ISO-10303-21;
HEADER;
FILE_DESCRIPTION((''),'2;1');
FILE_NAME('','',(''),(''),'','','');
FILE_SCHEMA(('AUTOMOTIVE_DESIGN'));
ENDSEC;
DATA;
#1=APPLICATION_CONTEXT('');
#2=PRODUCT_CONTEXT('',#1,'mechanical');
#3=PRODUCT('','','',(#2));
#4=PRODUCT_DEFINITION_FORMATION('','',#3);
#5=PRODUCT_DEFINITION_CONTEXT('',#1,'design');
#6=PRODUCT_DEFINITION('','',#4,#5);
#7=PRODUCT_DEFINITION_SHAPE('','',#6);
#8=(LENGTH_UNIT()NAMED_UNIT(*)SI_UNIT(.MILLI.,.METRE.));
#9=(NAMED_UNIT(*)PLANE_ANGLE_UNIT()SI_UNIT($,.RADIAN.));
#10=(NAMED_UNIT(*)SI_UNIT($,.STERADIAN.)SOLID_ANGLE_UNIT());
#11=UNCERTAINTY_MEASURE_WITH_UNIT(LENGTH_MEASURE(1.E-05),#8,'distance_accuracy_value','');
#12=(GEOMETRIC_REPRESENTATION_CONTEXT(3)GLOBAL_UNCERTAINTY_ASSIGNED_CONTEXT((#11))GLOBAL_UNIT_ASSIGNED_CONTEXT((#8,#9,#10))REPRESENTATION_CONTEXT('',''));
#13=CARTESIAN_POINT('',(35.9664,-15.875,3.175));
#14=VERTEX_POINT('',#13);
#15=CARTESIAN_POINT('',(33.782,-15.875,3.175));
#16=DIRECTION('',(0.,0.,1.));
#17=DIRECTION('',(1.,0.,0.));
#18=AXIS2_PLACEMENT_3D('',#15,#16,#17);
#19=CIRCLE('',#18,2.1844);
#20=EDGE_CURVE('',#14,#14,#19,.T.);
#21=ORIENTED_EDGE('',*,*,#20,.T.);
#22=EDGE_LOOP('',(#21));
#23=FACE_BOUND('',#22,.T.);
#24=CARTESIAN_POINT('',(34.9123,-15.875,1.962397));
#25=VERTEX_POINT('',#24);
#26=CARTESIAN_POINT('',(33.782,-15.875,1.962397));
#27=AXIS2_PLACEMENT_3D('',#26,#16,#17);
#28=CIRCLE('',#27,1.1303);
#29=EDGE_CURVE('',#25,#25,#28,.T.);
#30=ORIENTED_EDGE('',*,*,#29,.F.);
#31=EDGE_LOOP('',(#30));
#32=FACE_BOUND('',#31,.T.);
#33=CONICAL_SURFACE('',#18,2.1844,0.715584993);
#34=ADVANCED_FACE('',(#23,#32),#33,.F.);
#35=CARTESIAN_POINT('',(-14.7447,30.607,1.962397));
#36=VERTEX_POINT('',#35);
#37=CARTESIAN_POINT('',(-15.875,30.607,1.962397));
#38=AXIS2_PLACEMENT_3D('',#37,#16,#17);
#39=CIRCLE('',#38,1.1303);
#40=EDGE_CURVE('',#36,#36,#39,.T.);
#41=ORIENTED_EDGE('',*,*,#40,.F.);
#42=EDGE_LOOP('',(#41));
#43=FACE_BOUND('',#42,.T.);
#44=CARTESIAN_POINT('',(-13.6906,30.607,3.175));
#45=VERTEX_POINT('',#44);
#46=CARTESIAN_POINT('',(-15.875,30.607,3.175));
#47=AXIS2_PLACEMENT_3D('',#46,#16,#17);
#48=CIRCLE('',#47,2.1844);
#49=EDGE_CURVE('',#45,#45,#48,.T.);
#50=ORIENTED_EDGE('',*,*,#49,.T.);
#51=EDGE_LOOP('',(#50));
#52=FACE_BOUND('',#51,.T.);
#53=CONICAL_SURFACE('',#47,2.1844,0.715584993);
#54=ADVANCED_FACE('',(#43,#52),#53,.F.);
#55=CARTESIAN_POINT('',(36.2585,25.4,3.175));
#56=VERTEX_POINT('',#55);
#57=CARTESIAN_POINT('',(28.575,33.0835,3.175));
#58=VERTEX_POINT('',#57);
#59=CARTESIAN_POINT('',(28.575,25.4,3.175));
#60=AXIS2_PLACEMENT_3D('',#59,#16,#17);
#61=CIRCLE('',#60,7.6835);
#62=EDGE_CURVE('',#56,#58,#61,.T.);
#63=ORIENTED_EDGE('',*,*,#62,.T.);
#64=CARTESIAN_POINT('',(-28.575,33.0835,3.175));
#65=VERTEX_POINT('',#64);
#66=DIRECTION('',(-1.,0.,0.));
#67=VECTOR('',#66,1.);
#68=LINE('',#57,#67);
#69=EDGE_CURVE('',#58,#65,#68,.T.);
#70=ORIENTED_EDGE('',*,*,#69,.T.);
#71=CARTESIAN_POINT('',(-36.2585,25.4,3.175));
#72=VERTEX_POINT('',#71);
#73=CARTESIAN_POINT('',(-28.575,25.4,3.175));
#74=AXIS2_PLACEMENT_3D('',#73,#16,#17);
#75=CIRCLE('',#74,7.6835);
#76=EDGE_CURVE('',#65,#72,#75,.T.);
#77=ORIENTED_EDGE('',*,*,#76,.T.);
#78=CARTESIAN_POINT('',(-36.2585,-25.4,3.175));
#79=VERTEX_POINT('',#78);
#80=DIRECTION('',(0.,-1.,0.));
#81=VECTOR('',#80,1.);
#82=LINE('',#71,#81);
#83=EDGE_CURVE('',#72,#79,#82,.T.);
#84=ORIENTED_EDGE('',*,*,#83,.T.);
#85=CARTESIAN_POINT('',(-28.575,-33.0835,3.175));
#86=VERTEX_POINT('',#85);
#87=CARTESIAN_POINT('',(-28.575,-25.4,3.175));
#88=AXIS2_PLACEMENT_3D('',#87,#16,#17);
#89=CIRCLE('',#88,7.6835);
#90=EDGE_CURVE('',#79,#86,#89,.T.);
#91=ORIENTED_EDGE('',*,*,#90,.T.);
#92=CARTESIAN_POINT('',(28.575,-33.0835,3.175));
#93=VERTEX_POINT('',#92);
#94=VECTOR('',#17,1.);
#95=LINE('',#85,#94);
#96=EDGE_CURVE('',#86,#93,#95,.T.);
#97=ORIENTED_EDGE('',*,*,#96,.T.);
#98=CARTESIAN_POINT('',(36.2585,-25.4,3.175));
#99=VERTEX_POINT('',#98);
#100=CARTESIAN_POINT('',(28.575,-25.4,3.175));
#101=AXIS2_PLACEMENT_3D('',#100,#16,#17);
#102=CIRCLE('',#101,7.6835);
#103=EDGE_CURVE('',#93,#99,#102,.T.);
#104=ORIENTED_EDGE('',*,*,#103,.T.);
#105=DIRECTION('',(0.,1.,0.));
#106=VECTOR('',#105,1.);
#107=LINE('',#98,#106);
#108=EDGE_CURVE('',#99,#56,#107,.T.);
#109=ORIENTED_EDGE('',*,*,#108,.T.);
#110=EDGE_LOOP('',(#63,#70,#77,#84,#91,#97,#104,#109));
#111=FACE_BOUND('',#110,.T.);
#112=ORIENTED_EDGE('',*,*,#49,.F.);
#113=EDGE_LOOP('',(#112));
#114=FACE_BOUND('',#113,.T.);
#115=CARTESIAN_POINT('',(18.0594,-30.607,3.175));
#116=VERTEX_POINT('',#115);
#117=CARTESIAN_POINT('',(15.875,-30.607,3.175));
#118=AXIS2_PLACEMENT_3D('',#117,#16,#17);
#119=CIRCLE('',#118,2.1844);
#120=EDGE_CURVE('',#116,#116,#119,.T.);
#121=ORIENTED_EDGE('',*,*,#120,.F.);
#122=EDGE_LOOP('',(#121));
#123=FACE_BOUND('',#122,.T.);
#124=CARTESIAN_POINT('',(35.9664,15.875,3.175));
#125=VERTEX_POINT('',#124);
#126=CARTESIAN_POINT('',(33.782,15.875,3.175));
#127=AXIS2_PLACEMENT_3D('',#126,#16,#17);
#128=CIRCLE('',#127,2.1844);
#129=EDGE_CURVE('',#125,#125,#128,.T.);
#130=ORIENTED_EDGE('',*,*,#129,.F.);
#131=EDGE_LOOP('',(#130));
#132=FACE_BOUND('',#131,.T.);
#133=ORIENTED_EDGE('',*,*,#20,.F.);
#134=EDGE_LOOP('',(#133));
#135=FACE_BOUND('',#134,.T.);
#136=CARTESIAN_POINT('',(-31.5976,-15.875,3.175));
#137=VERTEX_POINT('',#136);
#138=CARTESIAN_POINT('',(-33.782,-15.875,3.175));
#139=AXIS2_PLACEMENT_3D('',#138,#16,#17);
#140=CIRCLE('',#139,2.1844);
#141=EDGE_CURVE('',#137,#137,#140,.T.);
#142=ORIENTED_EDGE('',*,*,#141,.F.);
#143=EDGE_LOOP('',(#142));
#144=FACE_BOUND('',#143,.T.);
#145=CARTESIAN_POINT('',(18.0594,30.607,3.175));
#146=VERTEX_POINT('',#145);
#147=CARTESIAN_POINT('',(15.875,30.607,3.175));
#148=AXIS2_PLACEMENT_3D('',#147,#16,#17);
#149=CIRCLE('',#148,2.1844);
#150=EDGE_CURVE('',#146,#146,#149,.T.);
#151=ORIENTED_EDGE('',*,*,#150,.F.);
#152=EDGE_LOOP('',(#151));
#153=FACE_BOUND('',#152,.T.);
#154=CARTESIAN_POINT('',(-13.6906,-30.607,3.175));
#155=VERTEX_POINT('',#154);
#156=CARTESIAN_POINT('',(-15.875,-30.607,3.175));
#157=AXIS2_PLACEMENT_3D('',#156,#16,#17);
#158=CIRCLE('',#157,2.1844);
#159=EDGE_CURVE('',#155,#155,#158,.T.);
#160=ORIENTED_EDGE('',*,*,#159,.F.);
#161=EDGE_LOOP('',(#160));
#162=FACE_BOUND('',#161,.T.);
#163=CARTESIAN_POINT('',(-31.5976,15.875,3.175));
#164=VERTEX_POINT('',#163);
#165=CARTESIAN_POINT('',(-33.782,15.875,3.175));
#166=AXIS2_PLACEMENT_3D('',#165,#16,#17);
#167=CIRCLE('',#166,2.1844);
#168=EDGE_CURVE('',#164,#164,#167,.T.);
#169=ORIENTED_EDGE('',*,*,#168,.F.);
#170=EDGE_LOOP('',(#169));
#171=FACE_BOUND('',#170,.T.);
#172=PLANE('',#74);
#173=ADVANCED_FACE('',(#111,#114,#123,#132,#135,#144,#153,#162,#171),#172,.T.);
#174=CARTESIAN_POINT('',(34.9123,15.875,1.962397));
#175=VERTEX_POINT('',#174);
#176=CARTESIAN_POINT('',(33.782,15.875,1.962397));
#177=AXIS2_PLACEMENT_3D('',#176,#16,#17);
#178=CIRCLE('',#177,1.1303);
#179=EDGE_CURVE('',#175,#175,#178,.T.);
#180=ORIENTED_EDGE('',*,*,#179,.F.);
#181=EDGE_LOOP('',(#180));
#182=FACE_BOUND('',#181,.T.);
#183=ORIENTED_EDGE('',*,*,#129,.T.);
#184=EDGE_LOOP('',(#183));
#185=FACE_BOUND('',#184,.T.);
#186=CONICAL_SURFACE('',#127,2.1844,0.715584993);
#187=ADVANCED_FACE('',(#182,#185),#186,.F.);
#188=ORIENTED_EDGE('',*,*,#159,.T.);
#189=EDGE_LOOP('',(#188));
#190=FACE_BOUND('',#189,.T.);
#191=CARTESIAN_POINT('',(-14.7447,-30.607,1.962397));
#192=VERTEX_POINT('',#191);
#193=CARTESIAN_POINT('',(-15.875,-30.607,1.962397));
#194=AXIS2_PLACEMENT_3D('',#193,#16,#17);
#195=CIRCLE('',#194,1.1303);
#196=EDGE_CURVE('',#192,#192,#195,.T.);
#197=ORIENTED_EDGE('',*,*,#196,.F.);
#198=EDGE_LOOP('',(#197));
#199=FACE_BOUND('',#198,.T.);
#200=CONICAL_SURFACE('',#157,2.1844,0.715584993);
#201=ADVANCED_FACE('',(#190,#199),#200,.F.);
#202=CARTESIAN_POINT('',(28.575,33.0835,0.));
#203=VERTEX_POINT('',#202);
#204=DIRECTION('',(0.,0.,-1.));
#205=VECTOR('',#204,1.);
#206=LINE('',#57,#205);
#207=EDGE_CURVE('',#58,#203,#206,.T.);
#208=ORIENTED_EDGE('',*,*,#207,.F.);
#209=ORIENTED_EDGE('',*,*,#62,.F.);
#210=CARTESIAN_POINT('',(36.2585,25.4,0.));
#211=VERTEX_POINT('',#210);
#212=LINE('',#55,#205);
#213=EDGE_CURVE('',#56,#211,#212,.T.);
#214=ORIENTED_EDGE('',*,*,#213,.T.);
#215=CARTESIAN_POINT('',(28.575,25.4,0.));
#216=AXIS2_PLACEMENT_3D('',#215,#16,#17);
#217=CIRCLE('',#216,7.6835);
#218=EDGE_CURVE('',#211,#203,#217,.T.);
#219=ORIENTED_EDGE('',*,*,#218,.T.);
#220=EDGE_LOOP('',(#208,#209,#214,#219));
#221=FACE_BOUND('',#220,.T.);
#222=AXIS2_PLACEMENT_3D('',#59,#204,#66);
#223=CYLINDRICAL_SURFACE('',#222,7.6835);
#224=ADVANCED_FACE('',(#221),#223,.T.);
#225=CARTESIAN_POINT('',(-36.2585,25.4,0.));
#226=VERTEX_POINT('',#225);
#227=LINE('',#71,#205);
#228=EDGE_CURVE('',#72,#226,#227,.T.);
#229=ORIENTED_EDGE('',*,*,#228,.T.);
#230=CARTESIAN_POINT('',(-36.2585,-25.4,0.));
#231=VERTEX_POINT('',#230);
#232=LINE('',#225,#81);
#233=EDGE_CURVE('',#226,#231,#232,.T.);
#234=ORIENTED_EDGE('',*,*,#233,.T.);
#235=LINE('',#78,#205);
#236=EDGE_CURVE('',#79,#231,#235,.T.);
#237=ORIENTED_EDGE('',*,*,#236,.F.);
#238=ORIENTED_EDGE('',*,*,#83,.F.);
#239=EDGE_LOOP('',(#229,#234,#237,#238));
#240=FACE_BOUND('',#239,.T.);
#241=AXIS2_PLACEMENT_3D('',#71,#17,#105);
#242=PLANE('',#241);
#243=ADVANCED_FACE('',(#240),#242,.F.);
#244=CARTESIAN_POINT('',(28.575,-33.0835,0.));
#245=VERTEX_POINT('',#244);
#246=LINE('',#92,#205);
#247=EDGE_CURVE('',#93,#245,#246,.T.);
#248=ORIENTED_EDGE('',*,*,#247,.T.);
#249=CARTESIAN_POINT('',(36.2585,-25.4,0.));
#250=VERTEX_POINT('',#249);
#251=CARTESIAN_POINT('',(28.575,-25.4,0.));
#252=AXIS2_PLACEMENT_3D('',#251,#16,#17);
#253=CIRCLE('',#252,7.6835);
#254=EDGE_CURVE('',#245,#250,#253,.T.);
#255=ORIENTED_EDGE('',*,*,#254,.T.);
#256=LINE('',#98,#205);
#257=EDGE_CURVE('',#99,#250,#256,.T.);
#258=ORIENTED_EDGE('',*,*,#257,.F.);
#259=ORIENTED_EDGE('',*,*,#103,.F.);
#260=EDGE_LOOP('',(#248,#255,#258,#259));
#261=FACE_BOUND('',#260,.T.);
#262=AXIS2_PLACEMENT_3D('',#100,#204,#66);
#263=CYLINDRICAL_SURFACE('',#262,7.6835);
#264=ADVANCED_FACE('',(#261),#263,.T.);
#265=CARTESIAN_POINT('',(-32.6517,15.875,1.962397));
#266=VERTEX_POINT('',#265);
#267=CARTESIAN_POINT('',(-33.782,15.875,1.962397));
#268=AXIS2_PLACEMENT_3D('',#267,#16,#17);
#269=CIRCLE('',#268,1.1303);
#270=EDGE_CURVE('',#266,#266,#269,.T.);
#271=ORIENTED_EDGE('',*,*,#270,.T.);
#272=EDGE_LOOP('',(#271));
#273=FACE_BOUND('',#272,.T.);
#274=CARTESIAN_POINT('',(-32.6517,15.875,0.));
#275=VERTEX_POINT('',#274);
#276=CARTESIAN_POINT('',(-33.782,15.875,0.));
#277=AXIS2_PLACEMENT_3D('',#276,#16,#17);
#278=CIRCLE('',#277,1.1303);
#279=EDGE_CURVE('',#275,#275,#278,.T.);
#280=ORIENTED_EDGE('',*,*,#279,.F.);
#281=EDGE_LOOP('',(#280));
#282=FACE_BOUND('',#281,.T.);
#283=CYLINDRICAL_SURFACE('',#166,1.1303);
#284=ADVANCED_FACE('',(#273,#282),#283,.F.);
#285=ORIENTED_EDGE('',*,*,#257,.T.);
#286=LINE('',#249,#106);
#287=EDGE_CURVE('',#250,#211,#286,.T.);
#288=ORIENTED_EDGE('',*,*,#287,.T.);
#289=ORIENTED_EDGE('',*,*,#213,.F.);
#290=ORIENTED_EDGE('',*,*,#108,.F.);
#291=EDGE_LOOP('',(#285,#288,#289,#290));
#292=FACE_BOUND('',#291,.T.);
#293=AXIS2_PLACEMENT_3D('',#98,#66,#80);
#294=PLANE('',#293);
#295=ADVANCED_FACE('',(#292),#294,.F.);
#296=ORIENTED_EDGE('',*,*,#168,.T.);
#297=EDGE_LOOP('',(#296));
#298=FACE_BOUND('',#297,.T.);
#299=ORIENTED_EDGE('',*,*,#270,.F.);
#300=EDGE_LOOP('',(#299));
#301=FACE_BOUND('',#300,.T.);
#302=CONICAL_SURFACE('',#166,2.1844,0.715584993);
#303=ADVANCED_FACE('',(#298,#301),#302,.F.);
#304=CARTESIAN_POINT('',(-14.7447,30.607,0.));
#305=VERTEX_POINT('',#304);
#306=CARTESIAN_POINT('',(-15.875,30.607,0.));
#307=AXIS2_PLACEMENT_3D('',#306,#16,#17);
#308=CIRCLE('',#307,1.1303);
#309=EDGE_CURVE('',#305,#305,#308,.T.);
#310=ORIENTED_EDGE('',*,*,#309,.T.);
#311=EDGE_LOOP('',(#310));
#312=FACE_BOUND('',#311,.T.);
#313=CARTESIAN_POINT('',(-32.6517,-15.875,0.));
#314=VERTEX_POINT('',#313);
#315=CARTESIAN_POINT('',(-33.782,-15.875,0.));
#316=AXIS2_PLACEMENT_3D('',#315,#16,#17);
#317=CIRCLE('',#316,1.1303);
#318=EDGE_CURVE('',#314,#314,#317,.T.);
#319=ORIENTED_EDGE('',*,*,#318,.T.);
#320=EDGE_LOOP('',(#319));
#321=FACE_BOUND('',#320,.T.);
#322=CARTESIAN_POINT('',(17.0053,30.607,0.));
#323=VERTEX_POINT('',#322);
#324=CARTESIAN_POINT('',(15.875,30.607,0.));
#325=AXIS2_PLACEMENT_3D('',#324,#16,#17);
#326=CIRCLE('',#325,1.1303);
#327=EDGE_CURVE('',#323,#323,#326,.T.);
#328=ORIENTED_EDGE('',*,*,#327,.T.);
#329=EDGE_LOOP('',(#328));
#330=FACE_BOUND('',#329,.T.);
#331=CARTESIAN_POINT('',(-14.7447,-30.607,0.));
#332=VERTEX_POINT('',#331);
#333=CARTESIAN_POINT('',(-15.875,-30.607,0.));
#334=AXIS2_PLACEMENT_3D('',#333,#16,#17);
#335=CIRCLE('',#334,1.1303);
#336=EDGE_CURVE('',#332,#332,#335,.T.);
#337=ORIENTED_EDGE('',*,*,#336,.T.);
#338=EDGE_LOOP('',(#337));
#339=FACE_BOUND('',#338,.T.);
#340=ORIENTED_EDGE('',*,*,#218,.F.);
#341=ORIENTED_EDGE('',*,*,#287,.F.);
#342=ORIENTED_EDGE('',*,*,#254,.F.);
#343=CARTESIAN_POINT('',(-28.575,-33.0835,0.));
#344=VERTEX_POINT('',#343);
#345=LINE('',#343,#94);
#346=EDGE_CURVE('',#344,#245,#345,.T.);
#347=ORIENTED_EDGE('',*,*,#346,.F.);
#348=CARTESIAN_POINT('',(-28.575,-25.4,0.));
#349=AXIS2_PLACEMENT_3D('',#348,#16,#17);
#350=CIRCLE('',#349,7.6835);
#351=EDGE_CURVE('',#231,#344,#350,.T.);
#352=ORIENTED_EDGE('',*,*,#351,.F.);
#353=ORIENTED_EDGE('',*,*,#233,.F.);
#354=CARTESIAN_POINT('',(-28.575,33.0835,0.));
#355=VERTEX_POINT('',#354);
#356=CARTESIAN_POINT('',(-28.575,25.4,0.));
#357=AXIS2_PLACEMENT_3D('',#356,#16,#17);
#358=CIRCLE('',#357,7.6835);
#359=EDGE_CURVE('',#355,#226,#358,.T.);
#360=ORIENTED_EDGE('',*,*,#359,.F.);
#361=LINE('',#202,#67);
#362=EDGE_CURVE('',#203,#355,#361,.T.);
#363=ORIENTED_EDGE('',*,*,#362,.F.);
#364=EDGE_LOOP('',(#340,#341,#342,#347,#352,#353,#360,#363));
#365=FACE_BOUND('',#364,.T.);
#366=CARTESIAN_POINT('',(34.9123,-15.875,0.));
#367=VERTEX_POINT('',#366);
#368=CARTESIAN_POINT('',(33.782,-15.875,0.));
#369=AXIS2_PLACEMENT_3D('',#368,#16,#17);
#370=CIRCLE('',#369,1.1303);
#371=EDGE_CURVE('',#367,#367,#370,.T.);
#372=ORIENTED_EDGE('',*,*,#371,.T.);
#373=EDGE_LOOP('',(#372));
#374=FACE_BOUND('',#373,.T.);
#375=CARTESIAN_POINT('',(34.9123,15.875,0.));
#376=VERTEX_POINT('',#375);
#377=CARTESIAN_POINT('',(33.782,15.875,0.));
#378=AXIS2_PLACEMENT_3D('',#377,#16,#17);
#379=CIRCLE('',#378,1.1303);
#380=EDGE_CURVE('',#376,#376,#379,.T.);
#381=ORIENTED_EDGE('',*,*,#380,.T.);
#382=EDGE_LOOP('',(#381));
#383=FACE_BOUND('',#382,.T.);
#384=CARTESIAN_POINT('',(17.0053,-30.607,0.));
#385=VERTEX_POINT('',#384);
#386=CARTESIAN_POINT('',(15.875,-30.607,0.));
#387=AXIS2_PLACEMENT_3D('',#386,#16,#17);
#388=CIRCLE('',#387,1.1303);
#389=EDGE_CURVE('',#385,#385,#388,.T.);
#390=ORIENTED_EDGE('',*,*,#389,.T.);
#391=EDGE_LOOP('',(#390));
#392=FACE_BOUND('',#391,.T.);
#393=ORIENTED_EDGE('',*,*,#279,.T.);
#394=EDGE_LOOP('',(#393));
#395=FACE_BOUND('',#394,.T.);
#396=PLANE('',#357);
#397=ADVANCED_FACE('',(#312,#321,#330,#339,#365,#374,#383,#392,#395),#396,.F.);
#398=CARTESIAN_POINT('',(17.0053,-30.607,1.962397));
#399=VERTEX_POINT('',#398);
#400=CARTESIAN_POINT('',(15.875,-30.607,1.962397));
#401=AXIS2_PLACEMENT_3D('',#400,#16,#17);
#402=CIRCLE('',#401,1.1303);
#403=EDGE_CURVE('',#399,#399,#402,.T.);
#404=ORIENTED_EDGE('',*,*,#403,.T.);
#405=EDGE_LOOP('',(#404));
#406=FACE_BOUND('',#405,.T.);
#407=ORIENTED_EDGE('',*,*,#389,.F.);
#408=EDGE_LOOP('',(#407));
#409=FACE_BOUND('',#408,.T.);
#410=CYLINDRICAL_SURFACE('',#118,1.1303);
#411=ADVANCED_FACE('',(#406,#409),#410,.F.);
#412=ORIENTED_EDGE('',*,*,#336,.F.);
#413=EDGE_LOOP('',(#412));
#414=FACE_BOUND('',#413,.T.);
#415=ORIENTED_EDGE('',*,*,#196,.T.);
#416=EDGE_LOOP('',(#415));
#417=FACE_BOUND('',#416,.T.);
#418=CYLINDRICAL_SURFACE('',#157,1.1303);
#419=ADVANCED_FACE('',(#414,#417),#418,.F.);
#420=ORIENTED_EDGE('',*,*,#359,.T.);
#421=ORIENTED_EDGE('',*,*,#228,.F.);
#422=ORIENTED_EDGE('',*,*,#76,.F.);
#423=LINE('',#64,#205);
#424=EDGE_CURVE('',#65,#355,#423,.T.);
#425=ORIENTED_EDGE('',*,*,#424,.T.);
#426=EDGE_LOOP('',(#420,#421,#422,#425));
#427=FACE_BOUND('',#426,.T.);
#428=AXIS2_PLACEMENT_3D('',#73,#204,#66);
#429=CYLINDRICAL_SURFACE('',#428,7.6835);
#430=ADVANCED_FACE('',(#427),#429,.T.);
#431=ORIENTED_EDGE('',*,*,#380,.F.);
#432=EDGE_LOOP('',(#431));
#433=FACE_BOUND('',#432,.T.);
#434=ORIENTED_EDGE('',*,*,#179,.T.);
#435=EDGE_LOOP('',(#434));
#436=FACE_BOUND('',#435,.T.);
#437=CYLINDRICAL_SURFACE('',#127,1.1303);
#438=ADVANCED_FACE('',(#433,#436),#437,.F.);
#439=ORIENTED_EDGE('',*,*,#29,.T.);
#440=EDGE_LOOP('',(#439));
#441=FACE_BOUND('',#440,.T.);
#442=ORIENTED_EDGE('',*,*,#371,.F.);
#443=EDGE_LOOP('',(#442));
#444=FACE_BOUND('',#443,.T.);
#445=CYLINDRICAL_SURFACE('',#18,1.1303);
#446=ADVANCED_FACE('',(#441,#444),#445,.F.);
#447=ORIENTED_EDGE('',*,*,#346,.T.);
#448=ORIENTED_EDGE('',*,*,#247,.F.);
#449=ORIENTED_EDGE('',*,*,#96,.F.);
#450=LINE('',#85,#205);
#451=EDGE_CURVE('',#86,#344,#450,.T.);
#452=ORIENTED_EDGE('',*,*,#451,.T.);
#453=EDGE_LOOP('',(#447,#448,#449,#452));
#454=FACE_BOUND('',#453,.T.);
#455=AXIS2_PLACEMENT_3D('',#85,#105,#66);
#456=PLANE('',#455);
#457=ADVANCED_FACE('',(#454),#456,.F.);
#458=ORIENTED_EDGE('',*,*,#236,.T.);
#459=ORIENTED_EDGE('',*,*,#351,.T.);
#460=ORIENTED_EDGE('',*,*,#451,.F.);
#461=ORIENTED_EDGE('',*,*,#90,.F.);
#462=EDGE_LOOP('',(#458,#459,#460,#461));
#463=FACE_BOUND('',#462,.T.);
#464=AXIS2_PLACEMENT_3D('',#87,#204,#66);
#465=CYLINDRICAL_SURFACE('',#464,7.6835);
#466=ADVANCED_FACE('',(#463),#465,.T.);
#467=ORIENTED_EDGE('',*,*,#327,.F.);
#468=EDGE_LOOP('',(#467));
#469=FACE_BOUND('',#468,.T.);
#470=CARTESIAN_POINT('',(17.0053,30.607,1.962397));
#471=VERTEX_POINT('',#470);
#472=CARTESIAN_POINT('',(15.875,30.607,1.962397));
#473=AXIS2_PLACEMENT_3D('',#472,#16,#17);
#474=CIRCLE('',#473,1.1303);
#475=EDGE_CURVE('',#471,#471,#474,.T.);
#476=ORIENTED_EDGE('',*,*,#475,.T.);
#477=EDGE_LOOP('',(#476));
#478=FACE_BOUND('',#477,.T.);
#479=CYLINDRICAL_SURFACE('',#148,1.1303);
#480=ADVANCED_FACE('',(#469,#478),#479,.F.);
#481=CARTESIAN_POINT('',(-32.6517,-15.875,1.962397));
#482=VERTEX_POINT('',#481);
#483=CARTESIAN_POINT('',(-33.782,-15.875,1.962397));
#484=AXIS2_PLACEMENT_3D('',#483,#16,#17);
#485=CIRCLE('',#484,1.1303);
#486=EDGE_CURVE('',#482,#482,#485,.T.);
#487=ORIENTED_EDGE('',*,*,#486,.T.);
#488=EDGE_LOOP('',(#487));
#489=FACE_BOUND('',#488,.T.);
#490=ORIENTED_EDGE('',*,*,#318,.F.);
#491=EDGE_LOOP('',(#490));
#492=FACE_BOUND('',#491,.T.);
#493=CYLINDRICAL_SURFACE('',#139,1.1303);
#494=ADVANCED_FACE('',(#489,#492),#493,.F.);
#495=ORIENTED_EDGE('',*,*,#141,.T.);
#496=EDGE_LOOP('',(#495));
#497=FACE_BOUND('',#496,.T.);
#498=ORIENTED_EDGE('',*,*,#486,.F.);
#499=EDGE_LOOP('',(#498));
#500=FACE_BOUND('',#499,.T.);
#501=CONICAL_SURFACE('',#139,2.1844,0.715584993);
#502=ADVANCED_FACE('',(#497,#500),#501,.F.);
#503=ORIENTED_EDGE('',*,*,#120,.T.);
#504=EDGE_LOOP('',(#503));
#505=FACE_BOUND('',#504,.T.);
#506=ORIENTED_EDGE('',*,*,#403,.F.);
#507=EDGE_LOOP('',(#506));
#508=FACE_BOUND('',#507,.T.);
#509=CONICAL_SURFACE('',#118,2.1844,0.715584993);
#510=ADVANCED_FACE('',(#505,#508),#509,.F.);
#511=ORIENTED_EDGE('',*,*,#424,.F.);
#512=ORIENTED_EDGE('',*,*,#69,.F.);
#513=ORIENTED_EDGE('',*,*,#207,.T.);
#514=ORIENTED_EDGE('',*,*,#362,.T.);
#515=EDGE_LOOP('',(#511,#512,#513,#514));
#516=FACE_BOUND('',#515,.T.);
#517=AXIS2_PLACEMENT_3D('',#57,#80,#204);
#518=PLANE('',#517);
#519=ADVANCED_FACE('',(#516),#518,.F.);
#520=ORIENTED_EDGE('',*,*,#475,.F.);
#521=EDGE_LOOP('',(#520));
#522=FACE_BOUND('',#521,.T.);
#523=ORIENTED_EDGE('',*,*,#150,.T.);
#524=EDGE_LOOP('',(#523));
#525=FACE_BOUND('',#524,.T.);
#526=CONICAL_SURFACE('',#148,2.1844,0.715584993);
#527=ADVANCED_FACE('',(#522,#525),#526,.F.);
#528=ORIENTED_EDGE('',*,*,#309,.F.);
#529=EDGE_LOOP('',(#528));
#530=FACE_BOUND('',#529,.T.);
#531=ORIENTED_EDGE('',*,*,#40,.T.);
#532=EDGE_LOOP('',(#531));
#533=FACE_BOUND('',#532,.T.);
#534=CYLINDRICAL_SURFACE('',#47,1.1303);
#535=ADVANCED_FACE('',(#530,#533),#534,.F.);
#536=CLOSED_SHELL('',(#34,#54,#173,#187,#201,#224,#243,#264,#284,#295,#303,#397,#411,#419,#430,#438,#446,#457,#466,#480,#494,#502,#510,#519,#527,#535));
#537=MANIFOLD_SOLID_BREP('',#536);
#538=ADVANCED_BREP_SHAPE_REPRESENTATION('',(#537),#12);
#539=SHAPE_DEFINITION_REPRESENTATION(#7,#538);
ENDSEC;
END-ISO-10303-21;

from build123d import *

# Parameters (mm, degrees)
BOSS_EXTRUDE1_DEPTH                            = 3.175
CSK_FOR_2_FLAT_HEAD_MACHINE_SCREW1_D           = 2.2606
CSK_FOR_2_FLAT_HEAD_MACHINE_SCREW1_CSINK_D     = 4.3688
CSK_FOR_2_FLAT_HEAD_MACHINE_SCREW1_CSINK_ANGLE = 82


with BuildPart() as part:
    # Sketch1 → Boss-Extrude1 (new body)
    with BuildSketch(Plane.XY):
        with BuildLine():
            Line((-36.2585, 25.4), (-36.2585, -25.4))
            ThreePointArc((-36.2585, -25.4), (-34.008054953, -30.833054953), (-28.575, -33.0835))
            Line((-28.575, -33.0835), (28.575, -33.0835))
            ThreePointArc((28.575, -33.0835), (34.008054953, -30.833054953), (36.2585, -25.4))
            Line((36.2585, -25.4), (36.2585, 25.4))
            ThreePointArc((36.2585, 25.4), (34.008054953, 30.833054953), (28.575, 33.0835))
            Line((28.575, 33.0835), (-28.575, 33.0835))
            ThreePointArc((-28.575, 33.0835), (-34.008054953, 30.833054953), (-36.2585, 25.4))
        make_face()
    extrude(amount=BOSS_EXTRUDE1_DEPTH)

    # CSK for #2 Flat Head Machine Screw1 (through all)
    with Locations(Plane(origin=(13.435602358, 90.246811513, 3.175), x_dir=(1, 0, 0), z_dir=(0, 0, 1))):
        with Locations((-29.310602358, -59.639811513), (-47.217602358, -74.371811513), (-47.217602358, -106.121811513), (-29.310602358, -120.853811513), (2.439397642, -120.853811513), (20.346397642, -106.121811513), (20.346397642, -74.371811513), (2.439397642, -59.639811513)):
            CounterSinkHole(CSK_FOR_2_FLAT_HEAD_MACHINE_SCREW1_D / 2, CSK_FOR_2_FLAT_HEAD_MACHINE_SCREW1_CSINK_D / 2, counter_sink_angle=CSK_FOR_2_FLAT_HEAD_MACHINE_SCREW1_CSINK_ANGLE)


solid = part.part
